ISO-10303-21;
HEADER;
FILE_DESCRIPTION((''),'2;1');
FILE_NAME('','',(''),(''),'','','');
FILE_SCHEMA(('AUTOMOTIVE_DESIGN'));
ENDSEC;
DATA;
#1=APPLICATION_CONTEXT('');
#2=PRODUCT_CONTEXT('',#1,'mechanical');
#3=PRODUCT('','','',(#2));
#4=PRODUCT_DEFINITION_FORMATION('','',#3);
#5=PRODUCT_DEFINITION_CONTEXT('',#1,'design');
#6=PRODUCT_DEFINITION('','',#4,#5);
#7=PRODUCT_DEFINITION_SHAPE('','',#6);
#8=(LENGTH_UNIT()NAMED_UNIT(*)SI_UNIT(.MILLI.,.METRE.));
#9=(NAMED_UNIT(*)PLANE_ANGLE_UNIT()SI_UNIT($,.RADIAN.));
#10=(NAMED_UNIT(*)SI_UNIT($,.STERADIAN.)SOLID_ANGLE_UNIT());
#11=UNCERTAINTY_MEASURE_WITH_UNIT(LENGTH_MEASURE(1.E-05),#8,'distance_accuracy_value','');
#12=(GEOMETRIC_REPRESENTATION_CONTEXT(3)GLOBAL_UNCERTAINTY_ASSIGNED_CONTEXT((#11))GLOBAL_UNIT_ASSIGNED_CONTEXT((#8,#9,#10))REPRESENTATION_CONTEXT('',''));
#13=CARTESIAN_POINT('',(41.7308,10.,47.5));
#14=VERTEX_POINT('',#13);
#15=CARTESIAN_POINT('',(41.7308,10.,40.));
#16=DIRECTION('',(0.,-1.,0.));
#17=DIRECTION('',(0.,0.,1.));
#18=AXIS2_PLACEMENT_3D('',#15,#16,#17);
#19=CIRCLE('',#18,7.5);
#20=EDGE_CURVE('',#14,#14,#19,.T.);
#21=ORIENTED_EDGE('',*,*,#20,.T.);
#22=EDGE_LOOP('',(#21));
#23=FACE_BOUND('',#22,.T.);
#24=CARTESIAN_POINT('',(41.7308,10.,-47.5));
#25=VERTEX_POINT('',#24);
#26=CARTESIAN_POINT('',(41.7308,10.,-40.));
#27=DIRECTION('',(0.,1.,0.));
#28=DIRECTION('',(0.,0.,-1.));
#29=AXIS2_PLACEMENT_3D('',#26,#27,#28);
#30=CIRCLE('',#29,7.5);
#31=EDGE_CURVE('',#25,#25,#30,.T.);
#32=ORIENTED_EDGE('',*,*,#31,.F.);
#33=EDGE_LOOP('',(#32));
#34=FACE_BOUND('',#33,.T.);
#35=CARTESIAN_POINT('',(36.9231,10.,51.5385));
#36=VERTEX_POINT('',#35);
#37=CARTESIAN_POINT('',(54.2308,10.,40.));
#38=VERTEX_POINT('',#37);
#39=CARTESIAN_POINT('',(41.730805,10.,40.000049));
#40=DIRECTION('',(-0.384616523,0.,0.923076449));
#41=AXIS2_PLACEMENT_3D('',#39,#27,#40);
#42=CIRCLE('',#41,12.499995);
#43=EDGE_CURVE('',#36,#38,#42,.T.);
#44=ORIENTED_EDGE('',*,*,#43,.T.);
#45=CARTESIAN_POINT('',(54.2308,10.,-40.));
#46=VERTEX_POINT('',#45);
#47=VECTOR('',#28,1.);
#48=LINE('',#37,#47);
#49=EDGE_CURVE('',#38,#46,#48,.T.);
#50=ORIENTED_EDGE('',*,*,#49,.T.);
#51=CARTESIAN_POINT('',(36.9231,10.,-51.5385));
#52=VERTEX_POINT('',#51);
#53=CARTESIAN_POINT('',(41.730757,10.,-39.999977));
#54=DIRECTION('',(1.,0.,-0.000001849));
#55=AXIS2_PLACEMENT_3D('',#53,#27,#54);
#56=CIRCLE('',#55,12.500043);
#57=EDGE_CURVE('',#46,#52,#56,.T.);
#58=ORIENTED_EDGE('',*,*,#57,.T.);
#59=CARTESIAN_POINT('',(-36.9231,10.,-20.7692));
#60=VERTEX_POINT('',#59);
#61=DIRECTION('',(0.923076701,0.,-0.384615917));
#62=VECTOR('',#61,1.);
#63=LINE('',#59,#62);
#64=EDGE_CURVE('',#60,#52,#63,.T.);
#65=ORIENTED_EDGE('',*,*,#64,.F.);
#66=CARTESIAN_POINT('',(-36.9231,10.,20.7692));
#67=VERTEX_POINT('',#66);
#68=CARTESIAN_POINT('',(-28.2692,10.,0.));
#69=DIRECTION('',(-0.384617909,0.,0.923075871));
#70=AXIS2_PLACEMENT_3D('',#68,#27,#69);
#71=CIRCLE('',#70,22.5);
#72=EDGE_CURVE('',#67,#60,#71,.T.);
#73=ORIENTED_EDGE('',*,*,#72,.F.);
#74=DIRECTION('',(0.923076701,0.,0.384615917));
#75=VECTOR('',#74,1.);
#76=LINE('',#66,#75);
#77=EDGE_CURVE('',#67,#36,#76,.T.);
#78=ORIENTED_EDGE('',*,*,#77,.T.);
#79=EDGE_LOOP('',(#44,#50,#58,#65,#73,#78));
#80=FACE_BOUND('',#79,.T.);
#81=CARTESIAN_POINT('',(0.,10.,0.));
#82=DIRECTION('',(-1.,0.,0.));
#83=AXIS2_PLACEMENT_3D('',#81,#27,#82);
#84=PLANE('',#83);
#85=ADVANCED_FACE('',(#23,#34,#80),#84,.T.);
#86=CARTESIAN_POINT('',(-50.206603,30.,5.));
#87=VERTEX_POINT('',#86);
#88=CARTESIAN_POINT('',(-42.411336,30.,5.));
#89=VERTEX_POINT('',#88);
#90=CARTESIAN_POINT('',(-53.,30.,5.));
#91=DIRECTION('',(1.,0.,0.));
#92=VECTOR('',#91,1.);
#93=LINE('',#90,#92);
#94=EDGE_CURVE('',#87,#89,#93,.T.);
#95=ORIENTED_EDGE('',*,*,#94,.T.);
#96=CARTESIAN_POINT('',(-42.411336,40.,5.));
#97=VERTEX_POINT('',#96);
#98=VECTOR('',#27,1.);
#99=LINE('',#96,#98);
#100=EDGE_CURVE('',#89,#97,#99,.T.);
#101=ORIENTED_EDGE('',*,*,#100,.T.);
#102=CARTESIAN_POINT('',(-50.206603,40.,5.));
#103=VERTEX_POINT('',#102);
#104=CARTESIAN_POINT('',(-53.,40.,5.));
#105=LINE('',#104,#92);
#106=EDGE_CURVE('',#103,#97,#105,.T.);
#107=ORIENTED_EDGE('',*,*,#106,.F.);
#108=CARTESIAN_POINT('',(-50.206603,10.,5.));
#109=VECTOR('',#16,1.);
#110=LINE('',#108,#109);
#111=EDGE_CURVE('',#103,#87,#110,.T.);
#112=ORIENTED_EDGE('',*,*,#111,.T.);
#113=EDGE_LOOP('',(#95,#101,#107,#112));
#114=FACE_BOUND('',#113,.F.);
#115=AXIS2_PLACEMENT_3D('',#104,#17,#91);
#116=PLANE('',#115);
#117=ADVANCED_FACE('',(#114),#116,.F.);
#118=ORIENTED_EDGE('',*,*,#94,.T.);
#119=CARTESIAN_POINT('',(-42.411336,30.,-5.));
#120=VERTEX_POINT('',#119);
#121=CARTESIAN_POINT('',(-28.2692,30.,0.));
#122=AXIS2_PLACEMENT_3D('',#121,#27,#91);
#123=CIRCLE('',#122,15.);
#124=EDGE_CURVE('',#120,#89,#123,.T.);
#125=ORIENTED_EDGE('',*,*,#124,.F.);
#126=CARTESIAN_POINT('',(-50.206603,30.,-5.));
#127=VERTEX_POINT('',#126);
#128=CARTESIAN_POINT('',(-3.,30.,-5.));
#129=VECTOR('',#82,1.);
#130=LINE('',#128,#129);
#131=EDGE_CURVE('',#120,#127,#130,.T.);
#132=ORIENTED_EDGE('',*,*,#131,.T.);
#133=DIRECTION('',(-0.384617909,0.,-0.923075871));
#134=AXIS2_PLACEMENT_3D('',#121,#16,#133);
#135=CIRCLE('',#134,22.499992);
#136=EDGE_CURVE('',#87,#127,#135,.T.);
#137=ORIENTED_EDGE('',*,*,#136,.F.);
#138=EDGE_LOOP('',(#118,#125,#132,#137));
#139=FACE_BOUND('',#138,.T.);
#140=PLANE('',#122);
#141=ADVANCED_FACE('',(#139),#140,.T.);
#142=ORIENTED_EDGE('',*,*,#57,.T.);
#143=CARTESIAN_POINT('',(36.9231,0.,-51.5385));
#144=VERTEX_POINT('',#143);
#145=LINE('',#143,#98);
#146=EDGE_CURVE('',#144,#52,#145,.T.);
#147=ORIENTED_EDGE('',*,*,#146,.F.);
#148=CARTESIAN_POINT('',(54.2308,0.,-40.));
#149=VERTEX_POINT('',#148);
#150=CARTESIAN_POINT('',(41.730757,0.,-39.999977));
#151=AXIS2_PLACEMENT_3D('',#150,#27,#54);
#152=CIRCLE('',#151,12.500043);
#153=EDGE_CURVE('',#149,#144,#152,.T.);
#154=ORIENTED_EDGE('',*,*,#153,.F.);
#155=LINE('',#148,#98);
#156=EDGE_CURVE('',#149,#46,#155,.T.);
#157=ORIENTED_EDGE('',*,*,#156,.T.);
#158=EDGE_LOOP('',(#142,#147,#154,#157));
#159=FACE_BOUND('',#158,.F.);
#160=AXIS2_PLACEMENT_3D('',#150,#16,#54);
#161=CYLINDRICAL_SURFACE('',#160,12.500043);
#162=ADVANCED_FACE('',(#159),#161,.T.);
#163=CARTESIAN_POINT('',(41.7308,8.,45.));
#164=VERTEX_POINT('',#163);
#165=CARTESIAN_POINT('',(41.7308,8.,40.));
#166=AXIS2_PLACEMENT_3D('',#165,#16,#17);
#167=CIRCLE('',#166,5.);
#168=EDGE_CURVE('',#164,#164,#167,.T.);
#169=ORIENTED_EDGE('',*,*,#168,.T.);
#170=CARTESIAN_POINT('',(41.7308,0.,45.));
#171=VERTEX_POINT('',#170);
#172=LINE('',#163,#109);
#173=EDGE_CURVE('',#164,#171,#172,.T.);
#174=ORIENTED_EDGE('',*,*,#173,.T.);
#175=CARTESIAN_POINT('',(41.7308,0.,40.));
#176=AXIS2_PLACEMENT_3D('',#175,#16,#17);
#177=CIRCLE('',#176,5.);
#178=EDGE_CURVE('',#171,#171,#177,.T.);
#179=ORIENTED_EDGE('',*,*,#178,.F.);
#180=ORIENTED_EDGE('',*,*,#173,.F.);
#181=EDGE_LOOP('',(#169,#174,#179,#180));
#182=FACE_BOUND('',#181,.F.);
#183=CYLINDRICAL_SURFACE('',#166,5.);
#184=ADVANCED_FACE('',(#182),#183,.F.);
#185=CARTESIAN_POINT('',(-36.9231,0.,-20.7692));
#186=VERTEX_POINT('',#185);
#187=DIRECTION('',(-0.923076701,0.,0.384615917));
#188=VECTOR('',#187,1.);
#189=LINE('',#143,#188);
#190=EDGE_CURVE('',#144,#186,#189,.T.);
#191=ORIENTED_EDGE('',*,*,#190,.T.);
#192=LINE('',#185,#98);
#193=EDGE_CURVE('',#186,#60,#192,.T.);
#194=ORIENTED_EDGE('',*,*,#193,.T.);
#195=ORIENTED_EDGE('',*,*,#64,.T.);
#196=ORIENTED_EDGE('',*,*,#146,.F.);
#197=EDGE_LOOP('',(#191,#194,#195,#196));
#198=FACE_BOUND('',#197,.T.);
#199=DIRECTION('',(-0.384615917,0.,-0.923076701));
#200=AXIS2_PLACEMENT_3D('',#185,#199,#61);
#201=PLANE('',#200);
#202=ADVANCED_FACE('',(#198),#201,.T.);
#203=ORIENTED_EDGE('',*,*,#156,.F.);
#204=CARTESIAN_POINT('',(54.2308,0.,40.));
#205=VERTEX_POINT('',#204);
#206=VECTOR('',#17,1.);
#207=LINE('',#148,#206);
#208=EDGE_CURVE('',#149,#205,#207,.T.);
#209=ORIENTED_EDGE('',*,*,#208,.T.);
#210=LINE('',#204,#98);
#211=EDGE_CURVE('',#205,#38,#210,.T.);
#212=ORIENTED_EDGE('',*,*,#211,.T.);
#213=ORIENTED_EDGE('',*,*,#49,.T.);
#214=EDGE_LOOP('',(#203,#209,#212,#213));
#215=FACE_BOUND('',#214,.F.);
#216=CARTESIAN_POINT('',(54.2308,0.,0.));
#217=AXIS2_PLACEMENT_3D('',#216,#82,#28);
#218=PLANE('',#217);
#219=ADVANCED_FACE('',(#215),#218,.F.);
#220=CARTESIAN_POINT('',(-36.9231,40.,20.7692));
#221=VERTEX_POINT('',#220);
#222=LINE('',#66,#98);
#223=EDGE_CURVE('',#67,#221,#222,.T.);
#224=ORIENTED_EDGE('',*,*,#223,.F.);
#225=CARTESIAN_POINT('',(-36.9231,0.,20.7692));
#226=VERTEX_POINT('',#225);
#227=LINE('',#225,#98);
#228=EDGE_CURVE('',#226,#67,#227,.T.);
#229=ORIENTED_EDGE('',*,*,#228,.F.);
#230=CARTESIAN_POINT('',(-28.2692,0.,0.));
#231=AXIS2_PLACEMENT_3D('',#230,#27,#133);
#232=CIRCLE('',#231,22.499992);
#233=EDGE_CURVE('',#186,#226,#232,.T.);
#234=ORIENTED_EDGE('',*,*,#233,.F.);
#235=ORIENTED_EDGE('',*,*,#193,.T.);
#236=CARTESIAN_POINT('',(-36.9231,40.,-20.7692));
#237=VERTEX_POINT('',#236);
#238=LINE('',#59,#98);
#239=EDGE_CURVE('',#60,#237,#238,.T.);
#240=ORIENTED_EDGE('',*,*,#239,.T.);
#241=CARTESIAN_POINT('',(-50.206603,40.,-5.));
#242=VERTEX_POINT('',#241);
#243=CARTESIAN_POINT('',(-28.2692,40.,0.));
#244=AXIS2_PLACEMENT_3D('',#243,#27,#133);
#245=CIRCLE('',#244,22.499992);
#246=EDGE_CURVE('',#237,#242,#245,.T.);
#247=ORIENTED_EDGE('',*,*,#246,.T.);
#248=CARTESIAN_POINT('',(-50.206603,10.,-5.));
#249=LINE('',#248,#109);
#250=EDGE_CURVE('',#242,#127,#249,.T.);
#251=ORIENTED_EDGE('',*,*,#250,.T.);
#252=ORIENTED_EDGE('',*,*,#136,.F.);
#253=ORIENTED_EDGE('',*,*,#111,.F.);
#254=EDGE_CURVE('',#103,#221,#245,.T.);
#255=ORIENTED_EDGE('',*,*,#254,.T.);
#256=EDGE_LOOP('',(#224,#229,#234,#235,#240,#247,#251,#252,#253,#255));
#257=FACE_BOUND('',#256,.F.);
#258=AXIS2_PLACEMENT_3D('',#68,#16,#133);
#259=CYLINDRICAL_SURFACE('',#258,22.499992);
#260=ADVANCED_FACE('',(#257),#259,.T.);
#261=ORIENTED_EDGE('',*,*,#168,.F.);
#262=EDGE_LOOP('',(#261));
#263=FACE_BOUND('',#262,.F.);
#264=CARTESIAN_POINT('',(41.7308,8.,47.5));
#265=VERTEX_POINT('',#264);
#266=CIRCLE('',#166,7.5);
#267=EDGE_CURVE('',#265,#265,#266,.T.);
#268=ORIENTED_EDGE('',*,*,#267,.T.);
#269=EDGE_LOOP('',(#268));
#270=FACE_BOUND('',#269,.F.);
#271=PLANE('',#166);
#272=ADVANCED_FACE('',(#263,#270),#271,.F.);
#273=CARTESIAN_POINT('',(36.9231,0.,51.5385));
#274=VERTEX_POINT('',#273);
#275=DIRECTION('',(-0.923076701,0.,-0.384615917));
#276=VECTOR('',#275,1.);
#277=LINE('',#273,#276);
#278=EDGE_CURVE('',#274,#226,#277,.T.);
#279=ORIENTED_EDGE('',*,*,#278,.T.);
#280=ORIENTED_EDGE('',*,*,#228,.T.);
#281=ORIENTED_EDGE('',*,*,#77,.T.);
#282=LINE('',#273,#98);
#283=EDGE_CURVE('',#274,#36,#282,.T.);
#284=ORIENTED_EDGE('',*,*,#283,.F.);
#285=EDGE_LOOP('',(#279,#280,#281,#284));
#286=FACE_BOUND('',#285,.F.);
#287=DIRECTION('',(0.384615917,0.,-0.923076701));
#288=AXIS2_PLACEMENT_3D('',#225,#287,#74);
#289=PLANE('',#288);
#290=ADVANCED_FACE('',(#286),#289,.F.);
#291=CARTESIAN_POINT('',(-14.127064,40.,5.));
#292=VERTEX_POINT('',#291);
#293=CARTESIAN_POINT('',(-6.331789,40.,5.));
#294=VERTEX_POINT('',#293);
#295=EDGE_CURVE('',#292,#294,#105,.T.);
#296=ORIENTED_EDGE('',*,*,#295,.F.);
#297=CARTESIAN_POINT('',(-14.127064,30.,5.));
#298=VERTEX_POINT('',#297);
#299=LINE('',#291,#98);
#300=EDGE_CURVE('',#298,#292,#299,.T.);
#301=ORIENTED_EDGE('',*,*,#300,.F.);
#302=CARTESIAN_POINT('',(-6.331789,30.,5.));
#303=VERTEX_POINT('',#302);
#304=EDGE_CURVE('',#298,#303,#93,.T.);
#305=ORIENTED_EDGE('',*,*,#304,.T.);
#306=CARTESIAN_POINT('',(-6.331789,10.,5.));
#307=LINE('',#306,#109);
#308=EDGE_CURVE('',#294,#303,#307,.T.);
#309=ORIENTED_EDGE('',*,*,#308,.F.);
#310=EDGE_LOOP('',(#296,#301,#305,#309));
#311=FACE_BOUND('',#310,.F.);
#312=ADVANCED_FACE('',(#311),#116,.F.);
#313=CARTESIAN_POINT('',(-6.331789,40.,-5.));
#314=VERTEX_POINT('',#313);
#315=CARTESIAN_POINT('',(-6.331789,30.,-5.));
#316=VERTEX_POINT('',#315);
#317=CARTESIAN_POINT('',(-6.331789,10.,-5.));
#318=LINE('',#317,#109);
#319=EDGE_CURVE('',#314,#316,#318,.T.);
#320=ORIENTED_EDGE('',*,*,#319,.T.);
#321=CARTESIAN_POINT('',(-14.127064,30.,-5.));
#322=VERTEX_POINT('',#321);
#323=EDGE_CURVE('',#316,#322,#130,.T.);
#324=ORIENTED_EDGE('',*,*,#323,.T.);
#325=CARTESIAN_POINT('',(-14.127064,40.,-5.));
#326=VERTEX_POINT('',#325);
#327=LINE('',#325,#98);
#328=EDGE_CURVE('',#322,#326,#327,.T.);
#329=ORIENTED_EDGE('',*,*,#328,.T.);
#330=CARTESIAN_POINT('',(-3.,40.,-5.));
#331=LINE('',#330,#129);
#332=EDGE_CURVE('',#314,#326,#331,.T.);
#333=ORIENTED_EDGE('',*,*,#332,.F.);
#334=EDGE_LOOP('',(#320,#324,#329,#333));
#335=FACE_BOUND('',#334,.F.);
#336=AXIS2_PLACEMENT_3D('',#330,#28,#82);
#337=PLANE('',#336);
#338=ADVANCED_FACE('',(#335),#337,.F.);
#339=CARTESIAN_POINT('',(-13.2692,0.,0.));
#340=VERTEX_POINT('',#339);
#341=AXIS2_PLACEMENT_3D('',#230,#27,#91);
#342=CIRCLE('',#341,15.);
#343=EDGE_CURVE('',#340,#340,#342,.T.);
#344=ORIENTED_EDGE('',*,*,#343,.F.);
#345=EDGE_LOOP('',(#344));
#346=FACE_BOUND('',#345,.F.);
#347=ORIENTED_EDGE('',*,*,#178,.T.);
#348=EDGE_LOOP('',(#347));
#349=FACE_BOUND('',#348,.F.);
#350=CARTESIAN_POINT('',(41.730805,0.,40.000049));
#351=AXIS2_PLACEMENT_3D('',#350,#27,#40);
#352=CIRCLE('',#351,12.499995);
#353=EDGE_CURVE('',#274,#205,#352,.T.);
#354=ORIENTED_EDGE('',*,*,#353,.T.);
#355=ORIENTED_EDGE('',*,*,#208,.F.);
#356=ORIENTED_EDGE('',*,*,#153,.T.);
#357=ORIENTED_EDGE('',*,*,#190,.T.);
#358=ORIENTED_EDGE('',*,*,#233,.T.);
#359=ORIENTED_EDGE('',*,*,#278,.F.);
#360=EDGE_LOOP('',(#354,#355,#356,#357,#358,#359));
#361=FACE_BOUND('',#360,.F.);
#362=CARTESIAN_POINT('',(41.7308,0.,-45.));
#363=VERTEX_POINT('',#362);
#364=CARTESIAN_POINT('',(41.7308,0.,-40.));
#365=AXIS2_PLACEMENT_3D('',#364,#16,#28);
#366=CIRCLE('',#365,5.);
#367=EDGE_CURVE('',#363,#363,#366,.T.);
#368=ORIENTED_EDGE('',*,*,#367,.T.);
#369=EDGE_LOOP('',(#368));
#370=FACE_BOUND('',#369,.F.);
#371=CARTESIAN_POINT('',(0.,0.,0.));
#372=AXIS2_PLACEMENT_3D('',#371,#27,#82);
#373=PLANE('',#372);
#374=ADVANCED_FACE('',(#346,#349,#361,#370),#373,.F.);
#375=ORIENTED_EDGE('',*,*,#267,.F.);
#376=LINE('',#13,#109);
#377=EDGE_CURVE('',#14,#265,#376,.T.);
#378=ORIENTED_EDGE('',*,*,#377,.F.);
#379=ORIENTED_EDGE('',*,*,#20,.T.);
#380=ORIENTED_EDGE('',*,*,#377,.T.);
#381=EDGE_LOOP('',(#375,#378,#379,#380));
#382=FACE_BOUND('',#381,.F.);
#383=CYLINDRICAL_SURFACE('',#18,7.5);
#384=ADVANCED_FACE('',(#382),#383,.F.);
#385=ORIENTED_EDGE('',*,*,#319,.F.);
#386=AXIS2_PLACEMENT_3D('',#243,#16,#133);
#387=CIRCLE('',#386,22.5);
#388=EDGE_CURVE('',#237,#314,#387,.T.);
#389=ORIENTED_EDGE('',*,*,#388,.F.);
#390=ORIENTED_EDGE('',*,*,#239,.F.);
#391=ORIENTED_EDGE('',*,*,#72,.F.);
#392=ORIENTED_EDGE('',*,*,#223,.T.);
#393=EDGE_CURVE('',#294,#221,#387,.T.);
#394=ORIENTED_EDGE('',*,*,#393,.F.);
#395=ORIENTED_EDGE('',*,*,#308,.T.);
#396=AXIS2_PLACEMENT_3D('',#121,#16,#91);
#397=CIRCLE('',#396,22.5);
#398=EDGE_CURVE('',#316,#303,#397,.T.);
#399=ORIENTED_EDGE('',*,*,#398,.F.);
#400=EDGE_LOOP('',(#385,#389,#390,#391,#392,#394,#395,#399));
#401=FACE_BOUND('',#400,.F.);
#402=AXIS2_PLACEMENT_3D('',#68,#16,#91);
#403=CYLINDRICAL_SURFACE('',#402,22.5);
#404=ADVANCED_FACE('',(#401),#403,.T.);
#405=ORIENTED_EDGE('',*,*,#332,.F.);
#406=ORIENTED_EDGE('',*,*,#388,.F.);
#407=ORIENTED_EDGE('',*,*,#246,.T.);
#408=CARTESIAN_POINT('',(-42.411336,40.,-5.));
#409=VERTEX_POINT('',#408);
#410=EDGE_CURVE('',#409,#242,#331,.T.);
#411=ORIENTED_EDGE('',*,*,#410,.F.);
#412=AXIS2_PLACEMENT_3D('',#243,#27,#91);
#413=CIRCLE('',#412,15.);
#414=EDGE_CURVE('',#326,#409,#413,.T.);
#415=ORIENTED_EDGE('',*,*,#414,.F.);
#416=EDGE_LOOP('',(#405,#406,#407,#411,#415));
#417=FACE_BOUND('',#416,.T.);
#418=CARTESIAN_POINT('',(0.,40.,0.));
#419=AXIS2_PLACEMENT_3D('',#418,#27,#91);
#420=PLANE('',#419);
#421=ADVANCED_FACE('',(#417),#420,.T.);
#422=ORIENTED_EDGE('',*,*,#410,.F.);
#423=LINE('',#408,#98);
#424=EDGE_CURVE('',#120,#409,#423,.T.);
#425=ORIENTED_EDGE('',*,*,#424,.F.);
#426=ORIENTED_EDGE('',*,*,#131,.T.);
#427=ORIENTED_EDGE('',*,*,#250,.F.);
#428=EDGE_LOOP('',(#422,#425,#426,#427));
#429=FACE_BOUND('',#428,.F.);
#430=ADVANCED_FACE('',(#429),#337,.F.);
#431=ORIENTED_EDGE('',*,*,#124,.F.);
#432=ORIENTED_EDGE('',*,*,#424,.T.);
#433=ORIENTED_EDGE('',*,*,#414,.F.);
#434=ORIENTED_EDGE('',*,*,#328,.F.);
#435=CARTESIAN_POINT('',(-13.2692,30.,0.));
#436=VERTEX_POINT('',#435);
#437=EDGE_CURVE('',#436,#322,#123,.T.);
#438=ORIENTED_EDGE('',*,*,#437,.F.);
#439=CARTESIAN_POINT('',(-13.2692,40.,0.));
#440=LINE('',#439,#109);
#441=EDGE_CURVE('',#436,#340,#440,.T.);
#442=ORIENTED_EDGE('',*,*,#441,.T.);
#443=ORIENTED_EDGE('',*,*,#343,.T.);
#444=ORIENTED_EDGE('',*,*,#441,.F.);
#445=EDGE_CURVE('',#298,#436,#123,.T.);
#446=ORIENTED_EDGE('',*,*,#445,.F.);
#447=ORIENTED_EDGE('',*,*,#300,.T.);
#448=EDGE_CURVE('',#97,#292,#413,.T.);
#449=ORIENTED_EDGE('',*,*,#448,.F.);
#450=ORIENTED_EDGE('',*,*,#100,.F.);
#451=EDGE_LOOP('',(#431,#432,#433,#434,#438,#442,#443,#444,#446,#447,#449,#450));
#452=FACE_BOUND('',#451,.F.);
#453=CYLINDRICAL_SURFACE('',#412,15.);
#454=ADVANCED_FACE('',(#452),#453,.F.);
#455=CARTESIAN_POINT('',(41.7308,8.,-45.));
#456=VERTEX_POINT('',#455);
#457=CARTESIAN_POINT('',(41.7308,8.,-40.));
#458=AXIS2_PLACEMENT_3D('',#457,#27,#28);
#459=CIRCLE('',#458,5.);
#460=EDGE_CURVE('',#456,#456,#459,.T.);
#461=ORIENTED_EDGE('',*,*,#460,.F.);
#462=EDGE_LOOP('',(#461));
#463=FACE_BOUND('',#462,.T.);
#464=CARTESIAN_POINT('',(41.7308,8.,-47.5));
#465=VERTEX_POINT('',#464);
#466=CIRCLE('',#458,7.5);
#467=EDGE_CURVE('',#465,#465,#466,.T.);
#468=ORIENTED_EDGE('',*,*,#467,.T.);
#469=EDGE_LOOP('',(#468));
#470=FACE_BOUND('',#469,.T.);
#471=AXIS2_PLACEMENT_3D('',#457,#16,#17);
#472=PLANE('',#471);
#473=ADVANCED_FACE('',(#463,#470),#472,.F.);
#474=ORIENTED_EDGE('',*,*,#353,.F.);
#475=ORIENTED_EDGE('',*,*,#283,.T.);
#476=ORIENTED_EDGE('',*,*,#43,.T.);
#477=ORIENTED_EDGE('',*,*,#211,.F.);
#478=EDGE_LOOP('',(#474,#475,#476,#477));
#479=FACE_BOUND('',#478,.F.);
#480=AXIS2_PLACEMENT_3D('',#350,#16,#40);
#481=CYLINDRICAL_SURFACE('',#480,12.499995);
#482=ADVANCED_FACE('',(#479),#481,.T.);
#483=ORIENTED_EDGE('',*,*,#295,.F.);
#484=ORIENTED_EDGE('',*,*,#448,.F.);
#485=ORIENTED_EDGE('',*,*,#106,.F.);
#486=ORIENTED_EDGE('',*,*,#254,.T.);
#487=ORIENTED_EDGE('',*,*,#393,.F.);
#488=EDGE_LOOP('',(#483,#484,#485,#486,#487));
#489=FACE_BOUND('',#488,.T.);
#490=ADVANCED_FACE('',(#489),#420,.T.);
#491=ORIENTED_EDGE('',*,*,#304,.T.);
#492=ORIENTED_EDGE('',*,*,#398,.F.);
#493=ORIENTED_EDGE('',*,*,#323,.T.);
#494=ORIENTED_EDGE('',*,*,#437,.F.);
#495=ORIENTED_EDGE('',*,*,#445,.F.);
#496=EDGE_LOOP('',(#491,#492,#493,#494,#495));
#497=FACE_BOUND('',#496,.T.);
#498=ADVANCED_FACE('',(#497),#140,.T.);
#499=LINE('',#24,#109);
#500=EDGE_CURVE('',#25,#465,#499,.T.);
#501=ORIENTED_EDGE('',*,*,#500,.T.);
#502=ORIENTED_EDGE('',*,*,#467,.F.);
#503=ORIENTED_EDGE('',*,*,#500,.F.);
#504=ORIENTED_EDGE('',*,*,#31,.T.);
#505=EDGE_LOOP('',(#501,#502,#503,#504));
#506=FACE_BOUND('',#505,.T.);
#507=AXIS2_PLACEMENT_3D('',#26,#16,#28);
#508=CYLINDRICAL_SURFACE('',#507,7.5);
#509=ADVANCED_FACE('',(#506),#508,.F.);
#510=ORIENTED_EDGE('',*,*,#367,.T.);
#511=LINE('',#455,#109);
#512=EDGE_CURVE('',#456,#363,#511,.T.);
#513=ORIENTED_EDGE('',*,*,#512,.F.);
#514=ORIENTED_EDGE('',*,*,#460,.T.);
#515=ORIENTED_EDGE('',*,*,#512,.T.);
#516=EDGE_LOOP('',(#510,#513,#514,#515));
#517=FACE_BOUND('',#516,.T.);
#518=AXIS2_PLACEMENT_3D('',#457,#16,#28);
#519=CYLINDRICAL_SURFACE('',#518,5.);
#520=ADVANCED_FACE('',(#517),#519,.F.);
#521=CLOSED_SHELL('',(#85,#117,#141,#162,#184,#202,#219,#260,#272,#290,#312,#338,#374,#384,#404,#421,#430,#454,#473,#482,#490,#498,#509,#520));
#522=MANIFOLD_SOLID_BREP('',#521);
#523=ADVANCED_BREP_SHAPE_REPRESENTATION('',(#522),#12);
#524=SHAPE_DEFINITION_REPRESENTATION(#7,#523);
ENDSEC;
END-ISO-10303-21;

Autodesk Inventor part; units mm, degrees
ref_plane "YZ Plane" through (0, 0, 0) normal (1, 0, 0) x (0, 1, 0)
ref_plane "XZ Plane" through (0, 0, 0) normal (0, 1, 0) x (-1, 0, 0)
ref_plane "XY Plane" through (0, 0, 0) normal (0, 0, 1) x (1, 0, 0)
sketch "Sketch1" plane through (0, 0, 0) normal (0, 1, 0) x (-1, 0, 0)
  arc A0 (36.9231, -20.7692) -> (36.9231, 20.7692) centre (28.2692, 0) ccw
  line L0 (36.9231, 20.7692) -> (-36.9231, 51.5385)
  line L1 (36.9231, -20.7692) -> (-36.9231, -51.5385)
  arc A1 (-36.9231, 51.5385) -> (-54.2308, 40) centre (-41.7308, 40) ccw
  arc A2 (-54.2308, -40) -> (-36.9231, -51.5385) centre (-41.7308, -40) ccw
  line L2 (72.3868, 0) -> (-78.9359, 0) projected
  line L3 (0, -78.6378) -> (0, 78.6378) projected
  line L4 (-54.2308, 40) -> (-54.2308, -40)
  point P0 (0, 0)
  point P1 (0, -36.1538)
  point P2 (0, 36.1538)
  point P3 (-54.2308, 0)
  dimension "d0" = 70
  dimension "d1" = 80
  dimension "d2" = 12.5
  dimension "d3" = 45
extrude "Extrusion1" add sketch "Sketch1" along normal blind 10
sketch "Sketch2" plane through (0, 10, 0) normal (0, 1, 0) x (1, 0, 0)
  line L0 (-36.9231, -20.7692) -> (36.9231, -51.5385) projected
  arc A0 (36.9231, -51.5385) -> (54.2308, -40) centre (41.7308, -40) ccw projected
  line L1 (54.2308, -40) -> (54.2308, 40) projected
  arc A1 (54.2308, 40) -> (36.9231, 51.5385) centre (41.7308, 40) ccw projected
  line L2 (36.9231, 51.5385) -> (-36.9231, 20.7692) projected
  arc A2 (-36.9231, 20.7692) -> (-36.9231, -20.7692) centre (-28.2692, 0) ccw projected
  circle A3 centre (-28.2692, 0) radius 22.5
  point P0 (0, 0)
extrude "Extrusion2" add sketch "Sketch2" along normal blind 30 contours A2 A3
sketch "Sketch3" plane through (-28.2692, 40, 0) normal (0, 1, 0) x (1, 0, 0)
  circle A0 centre (0, 0) radius 15
  point P0 (28.2692, 0)
  dimension "d8" = 30
extrude "Extrusion3" cut sketch "Sketch3" against normal through all
sketch "Sketch4" plane through (-28.2692, 40, 0) normal (0, 1, 0) x (1, 0, 0)
  line L0 (-24.7308, -5) -> (25.2692, -5)
  line L1 (25.2692, -5) -> (25.2692, 5)
  line L2 (25.2692, 5) -> (-24.7308, 5)
  line L3 (-24.7308, 5) -> (-24.7308, -5)
  line L4 (-59.7, 0) -> (106.2, 0) projected
  line L5 (28.2692, 73.5) -> (28.2692, -73.5) projected
  point P0 (28.2692, 0)
  point P1 (-24.7308, 0)
  dimension "d14" = 10
  dimension "d15" = 50
  dimension "d16" = 3
extrude "Extrusion4" cut sketch "Sketch4" against normal blind 10
hole "Hole1" at (41.7308, 10, 40) direction (0, -1, 0) diameter 10 end through all counterbore diameter 15 counterbore depth 2
mirror "Mirror1" about plane through (0, 0, 0) normal (0, 0, 1) of "Hole1"
properties part number "Workshop_1_Soln" material "Bronze, Soft Tin"
